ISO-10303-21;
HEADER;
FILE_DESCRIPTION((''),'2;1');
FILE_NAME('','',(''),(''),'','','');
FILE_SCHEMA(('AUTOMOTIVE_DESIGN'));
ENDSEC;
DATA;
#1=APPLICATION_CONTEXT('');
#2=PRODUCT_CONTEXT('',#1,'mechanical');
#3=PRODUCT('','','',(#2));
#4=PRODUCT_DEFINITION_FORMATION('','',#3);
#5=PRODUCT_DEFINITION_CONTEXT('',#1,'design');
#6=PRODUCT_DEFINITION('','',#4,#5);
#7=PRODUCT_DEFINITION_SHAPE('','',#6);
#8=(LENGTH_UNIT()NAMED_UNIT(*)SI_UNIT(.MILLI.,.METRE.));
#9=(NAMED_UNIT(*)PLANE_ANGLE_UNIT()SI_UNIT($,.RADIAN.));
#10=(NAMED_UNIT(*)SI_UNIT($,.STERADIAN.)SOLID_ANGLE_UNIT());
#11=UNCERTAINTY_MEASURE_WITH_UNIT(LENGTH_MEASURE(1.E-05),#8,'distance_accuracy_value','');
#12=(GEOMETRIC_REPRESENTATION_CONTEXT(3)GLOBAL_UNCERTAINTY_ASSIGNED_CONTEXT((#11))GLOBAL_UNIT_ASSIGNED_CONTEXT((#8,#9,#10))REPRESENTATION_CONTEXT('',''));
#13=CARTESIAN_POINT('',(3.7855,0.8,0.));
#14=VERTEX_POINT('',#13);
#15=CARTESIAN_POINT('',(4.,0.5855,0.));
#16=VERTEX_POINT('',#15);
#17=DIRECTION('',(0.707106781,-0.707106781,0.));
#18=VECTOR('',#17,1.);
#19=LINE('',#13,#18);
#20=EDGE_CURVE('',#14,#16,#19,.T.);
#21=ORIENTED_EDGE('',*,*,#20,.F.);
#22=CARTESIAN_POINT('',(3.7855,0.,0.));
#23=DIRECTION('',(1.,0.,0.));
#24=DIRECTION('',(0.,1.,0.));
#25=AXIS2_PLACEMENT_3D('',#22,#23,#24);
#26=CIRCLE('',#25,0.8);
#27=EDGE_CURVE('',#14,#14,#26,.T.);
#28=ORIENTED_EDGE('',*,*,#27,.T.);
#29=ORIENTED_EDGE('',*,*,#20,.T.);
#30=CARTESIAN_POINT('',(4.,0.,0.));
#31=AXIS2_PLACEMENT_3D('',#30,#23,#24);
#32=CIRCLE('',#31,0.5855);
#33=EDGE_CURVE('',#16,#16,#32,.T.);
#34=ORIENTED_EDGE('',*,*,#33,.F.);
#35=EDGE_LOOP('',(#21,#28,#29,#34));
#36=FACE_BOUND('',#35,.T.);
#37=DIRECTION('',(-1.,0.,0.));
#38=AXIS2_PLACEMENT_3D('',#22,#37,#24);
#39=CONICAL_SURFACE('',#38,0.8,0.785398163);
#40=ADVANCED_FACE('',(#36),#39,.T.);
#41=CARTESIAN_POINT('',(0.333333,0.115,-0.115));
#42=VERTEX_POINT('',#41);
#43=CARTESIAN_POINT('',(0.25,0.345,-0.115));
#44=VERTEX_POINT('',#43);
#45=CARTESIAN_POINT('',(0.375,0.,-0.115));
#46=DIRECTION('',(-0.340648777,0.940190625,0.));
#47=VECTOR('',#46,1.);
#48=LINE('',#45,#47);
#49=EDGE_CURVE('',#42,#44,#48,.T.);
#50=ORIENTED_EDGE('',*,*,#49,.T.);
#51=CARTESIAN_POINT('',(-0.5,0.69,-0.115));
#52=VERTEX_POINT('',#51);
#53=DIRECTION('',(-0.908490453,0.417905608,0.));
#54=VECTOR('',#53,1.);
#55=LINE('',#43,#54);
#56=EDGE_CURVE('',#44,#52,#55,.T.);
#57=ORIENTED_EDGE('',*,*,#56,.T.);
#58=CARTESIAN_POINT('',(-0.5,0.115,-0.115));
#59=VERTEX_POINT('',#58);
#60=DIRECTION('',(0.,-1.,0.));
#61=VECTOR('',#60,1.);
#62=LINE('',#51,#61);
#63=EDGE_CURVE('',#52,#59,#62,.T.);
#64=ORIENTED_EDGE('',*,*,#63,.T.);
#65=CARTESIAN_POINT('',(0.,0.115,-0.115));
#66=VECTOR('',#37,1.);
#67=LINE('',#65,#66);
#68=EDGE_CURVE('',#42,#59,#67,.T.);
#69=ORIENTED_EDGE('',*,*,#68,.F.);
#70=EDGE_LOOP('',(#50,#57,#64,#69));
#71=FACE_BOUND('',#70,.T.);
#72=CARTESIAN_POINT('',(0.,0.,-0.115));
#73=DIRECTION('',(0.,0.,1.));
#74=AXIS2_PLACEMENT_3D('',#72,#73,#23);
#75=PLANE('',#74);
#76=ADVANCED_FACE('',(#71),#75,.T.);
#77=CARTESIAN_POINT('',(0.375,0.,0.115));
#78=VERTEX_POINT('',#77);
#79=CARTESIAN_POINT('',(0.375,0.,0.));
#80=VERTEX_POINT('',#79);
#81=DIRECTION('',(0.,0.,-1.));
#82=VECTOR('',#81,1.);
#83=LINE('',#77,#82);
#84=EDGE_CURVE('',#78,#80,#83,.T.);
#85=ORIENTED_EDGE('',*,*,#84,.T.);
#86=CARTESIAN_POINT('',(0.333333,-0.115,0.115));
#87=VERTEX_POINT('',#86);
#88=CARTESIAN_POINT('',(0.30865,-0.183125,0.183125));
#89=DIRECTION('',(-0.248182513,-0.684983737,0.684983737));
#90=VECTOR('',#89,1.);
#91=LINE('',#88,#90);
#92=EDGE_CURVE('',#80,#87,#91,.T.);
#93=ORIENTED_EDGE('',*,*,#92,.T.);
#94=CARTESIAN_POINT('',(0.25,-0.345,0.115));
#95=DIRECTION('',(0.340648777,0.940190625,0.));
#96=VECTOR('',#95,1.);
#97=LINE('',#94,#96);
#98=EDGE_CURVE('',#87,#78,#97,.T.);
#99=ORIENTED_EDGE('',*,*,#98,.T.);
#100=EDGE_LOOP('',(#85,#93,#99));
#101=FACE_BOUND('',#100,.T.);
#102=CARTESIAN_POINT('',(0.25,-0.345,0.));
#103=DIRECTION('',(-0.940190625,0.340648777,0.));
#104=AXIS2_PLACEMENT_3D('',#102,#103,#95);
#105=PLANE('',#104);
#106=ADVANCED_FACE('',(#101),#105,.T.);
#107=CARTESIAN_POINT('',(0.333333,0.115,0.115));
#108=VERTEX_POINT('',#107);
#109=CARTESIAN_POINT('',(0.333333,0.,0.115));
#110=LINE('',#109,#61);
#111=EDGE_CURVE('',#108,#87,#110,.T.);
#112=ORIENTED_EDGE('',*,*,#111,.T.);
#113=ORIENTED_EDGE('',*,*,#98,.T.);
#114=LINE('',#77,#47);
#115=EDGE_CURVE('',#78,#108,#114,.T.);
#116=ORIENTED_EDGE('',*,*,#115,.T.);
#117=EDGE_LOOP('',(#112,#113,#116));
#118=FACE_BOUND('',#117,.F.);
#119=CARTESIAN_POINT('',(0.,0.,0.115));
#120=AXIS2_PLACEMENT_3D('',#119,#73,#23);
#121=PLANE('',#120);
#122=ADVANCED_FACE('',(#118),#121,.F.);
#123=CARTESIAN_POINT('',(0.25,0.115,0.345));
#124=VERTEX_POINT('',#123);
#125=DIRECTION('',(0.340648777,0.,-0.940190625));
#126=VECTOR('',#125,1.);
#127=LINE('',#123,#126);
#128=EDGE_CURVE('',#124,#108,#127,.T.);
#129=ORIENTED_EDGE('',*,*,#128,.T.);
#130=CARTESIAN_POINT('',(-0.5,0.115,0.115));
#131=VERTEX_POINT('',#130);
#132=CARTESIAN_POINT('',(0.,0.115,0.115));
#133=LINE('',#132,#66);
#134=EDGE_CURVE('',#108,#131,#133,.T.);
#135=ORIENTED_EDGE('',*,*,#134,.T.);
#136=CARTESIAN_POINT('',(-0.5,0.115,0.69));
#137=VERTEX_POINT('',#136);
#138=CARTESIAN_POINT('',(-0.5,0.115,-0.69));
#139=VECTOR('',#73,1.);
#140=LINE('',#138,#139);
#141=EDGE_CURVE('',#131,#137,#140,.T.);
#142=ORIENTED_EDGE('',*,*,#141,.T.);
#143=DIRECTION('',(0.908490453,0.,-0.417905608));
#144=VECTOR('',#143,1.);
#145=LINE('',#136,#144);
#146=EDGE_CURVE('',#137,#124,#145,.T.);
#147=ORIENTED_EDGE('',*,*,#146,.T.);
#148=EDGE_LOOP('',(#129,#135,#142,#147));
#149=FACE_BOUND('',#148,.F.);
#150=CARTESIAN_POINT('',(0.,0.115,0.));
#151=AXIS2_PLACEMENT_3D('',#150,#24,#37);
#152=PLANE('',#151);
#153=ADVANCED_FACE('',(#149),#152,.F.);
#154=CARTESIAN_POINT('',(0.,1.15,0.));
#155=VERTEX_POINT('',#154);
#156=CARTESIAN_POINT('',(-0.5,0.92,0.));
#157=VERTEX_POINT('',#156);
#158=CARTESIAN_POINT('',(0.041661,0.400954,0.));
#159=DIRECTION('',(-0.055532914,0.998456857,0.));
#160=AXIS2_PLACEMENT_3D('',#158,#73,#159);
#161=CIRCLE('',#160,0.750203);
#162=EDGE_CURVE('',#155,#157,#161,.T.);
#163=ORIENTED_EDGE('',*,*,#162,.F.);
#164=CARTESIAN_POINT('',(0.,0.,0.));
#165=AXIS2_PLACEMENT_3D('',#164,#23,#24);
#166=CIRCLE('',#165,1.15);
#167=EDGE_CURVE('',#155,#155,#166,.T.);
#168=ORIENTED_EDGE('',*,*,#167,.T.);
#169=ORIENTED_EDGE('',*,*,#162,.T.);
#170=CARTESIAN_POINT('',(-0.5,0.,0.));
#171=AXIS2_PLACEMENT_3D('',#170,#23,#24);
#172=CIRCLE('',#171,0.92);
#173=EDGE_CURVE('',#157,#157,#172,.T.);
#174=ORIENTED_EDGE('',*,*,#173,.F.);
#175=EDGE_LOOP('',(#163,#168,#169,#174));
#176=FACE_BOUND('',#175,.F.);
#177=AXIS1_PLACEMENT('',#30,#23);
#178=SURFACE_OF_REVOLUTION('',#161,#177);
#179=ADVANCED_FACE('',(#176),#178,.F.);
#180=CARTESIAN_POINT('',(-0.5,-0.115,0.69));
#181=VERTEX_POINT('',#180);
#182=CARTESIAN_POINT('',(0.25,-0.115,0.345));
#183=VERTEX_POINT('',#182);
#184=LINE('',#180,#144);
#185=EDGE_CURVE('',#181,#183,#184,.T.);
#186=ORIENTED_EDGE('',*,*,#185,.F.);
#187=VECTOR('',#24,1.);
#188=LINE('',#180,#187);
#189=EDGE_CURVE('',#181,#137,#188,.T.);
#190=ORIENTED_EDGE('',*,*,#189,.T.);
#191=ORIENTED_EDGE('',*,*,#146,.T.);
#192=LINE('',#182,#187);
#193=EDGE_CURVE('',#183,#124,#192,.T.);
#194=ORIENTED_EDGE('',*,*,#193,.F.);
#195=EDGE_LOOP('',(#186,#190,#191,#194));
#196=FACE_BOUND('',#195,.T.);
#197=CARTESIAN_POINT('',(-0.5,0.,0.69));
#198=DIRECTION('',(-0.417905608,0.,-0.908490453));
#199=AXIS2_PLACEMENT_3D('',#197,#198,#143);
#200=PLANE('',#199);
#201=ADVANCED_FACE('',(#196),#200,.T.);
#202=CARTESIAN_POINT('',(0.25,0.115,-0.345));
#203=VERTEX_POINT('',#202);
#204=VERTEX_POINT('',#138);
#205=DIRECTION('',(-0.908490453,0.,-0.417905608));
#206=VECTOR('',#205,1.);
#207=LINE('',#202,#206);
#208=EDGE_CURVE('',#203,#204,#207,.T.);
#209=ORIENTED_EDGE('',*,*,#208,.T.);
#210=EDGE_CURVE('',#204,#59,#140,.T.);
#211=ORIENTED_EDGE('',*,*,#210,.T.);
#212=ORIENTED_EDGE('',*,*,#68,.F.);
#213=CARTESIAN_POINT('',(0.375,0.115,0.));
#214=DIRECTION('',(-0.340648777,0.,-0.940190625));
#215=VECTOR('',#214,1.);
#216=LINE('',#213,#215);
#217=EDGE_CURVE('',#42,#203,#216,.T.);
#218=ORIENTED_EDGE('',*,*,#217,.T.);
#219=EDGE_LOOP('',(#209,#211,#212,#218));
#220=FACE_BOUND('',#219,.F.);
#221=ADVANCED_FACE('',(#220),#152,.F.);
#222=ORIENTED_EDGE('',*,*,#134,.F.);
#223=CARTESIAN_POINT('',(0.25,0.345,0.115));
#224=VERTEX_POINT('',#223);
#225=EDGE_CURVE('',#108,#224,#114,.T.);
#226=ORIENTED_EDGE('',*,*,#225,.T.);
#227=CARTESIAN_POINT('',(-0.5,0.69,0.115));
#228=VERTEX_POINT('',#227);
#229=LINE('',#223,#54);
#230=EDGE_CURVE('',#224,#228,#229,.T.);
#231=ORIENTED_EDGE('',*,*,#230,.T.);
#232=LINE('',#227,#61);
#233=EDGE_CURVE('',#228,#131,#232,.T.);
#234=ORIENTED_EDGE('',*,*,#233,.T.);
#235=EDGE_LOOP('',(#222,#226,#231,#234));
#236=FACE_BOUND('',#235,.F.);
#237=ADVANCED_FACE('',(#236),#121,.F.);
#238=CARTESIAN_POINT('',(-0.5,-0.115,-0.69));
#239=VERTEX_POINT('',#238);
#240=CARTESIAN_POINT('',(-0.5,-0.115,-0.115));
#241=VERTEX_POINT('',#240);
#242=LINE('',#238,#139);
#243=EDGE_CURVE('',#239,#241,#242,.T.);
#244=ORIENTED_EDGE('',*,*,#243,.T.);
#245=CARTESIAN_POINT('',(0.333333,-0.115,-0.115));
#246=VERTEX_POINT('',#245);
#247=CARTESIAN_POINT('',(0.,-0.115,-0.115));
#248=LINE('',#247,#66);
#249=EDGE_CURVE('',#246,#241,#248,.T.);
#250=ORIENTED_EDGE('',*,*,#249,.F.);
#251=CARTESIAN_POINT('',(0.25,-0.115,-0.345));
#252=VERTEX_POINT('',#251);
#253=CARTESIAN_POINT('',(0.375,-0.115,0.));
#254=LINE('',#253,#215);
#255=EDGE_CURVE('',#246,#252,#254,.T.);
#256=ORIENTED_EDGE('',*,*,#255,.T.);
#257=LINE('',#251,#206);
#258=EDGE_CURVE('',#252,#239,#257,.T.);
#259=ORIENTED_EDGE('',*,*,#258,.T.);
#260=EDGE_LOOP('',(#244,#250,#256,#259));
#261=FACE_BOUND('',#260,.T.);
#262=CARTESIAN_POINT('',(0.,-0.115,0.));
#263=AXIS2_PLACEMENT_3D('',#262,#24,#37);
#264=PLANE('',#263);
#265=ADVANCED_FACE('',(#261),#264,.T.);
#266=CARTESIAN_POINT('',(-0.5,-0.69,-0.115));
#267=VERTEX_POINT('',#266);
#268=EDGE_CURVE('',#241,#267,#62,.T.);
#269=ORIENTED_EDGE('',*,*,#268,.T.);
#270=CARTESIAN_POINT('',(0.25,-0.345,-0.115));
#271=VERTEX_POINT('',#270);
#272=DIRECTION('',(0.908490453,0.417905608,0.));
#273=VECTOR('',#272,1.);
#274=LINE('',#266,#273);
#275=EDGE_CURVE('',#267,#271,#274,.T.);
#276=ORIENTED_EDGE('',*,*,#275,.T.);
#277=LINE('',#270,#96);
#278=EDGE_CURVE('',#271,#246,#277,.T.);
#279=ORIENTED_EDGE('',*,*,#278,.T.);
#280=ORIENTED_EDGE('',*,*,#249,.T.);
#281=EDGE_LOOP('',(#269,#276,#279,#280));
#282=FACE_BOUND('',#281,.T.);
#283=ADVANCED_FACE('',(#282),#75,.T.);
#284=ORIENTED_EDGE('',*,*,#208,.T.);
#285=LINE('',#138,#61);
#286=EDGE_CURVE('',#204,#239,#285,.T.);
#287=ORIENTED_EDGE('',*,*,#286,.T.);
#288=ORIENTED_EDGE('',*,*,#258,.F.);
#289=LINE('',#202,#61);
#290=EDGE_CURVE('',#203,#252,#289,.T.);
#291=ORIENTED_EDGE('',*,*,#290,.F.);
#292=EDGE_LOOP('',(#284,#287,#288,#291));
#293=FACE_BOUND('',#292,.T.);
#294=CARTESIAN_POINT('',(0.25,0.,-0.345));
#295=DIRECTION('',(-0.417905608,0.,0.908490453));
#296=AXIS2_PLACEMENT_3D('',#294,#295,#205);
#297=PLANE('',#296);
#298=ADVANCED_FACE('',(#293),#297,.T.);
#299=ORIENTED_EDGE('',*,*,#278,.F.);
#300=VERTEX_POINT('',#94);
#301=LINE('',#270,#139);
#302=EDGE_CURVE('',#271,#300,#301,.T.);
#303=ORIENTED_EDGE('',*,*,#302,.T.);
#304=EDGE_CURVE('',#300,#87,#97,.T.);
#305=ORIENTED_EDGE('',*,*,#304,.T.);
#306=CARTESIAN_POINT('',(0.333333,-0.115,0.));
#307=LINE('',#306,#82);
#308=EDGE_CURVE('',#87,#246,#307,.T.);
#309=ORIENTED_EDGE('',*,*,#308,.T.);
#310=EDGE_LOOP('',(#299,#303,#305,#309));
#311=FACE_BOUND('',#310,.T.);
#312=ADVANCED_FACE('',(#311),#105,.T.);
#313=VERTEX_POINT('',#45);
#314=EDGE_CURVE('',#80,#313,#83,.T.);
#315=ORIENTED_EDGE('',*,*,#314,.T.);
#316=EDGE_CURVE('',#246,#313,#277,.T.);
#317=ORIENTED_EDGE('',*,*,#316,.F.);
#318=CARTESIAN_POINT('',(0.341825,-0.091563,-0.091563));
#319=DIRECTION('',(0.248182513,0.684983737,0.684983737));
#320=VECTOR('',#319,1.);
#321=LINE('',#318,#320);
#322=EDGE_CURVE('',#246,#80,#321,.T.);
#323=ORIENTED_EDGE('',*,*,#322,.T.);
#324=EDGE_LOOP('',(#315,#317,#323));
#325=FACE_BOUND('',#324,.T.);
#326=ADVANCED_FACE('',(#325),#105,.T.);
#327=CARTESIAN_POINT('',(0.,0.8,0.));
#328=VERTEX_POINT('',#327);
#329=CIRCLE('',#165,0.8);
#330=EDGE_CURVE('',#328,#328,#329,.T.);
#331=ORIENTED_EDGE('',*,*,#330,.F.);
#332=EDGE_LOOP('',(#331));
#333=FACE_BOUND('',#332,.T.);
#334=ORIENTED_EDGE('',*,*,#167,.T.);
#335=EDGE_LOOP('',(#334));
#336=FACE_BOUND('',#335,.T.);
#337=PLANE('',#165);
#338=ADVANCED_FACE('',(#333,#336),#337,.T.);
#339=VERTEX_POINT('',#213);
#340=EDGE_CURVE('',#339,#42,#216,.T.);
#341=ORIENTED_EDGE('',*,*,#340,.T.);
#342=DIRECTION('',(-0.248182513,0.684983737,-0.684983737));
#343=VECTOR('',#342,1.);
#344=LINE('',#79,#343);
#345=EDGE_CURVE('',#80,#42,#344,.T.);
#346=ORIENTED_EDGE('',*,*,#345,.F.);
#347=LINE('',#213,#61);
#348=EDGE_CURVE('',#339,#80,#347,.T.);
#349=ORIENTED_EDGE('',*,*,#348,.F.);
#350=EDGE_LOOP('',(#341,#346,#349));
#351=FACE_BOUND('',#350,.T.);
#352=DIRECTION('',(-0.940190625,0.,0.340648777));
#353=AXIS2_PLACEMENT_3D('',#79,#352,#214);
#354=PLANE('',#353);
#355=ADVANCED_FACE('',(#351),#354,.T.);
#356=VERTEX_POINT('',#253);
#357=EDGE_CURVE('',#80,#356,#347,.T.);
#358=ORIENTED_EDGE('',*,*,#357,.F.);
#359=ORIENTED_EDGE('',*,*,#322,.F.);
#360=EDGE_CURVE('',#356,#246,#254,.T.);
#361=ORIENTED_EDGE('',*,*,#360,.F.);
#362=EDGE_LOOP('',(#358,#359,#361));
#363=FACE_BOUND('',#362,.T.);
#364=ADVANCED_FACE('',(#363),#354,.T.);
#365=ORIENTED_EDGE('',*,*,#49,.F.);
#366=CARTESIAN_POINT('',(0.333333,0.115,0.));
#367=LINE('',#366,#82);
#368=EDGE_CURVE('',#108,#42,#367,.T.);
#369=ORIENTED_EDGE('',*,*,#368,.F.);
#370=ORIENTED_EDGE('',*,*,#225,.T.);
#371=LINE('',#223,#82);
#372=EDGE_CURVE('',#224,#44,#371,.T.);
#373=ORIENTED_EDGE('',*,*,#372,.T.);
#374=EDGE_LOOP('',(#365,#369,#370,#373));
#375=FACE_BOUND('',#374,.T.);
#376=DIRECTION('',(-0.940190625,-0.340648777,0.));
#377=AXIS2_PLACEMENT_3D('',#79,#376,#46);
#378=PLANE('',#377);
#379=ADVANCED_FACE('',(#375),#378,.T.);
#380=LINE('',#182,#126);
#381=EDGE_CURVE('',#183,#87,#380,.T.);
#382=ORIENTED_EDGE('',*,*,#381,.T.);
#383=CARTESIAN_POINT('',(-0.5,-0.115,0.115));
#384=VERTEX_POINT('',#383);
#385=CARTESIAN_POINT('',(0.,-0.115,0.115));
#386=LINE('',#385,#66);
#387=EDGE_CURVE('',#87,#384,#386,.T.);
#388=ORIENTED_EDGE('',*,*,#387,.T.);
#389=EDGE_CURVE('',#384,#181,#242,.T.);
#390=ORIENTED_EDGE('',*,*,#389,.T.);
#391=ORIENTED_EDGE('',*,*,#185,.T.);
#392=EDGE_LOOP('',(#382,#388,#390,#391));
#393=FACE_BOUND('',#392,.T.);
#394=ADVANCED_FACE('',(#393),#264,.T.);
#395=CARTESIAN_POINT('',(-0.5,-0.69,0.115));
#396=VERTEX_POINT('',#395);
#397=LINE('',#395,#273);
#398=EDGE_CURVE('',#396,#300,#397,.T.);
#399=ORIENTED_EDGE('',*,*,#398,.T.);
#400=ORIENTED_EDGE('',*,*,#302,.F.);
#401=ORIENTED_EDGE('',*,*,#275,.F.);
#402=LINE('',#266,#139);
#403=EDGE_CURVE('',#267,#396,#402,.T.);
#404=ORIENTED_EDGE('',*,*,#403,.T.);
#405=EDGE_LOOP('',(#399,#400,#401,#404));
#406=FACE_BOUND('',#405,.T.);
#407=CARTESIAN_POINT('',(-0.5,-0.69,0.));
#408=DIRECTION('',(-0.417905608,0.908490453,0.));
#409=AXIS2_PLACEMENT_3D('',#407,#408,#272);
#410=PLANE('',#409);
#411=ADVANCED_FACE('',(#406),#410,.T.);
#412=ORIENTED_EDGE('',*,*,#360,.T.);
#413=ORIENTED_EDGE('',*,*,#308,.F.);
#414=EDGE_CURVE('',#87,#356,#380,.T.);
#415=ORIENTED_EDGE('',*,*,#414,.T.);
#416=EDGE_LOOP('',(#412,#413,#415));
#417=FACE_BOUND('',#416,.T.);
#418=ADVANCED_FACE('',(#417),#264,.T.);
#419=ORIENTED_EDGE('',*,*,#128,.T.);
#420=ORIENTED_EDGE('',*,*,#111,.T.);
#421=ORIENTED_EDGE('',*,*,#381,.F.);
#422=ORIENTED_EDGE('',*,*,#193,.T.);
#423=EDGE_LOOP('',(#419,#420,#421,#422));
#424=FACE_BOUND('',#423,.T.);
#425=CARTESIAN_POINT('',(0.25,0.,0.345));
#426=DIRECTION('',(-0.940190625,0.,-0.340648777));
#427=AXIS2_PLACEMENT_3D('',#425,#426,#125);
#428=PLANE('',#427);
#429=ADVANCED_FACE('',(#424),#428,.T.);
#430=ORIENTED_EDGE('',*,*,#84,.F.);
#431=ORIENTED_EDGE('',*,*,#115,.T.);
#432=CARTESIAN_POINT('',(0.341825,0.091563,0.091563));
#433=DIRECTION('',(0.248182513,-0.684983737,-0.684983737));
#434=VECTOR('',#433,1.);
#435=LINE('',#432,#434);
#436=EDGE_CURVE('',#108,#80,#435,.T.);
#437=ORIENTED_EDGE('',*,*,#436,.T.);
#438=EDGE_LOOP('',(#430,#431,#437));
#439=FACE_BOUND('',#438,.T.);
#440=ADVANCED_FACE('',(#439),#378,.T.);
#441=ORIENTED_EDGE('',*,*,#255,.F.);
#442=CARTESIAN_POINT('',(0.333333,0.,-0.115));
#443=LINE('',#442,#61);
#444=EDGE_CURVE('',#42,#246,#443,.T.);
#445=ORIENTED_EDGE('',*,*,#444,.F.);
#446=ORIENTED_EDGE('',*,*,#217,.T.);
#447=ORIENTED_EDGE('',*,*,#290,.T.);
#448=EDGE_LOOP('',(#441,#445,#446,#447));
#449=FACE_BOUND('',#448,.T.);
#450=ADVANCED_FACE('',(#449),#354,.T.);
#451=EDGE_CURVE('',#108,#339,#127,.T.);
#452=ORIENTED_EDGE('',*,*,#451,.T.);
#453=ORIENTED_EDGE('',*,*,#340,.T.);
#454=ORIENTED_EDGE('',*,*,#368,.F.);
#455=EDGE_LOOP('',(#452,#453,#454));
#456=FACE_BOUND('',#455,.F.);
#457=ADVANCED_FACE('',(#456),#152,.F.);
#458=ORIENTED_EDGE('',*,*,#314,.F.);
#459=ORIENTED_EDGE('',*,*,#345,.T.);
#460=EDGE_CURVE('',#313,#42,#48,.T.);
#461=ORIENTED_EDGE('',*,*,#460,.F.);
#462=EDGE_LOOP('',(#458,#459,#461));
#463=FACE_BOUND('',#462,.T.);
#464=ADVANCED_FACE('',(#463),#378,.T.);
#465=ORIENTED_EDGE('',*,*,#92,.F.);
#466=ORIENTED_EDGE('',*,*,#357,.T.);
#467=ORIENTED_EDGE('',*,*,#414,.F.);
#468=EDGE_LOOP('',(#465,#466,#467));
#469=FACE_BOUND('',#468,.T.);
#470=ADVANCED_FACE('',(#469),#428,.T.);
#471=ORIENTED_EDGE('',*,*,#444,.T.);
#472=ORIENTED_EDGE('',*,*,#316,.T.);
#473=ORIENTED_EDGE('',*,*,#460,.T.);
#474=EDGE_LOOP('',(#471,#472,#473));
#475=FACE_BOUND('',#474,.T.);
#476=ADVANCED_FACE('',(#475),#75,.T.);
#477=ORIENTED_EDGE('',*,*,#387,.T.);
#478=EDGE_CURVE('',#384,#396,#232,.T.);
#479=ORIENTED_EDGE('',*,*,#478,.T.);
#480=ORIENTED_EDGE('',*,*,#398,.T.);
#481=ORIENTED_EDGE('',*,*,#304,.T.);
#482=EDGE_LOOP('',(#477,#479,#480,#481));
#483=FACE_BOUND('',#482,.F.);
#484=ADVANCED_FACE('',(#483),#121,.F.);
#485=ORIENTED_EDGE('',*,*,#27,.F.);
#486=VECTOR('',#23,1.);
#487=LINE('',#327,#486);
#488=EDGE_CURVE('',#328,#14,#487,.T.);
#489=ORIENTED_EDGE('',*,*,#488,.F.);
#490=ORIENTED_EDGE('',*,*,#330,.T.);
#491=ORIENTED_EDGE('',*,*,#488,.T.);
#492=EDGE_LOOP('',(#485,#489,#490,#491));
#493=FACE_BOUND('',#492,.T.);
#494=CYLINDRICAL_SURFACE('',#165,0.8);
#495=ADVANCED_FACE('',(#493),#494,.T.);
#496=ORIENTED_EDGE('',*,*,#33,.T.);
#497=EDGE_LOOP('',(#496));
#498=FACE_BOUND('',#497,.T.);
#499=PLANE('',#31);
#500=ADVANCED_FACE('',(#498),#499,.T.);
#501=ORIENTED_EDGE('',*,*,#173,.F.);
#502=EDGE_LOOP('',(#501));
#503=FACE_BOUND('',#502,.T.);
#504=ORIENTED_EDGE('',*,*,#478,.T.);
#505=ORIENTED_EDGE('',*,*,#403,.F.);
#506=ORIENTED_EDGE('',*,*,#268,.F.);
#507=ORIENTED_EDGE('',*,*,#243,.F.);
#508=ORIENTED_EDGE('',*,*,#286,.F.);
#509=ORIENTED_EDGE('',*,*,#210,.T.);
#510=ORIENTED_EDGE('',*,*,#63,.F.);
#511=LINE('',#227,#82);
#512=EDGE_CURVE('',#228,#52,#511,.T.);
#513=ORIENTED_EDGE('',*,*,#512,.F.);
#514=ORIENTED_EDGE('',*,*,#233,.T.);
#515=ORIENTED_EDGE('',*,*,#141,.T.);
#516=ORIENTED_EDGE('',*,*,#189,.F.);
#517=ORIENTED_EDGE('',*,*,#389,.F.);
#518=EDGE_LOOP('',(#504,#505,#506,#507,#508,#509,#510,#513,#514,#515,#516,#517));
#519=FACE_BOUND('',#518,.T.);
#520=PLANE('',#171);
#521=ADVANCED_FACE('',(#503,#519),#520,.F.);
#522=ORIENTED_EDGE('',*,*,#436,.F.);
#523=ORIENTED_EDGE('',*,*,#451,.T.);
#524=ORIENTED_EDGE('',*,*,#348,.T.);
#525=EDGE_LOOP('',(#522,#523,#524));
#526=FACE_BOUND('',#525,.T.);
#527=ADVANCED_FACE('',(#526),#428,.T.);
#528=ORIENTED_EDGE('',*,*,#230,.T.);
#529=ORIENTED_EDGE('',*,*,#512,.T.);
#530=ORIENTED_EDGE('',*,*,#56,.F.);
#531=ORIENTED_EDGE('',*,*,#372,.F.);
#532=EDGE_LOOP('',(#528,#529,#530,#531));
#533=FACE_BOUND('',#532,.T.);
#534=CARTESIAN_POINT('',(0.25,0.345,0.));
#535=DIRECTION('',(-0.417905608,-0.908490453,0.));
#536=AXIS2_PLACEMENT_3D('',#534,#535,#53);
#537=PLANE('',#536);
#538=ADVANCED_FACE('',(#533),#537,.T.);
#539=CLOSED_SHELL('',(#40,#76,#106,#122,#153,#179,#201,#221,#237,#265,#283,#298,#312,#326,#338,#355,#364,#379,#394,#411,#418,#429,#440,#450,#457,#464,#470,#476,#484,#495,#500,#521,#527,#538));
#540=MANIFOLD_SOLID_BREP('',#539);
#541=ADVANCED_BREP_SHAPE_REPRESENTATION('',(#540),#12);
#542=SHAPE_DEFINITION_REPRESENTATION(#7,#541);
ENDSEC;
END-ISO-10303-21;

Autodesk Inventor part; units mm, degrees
ref_plane "YZ Plane" through (0, 0, 0) normal (1, 0, 0) x (0, 1, 0)
ref_plane "XZ Plane" through (0, 0, 0) normal (0, 1, 0) x (-1, 0, 0)
ref_plane "XY Plane" through (0, 0, 0) normal (0, 0, 1) x (1, 0, 0)
sketch "Sketch_1" plane through (0, 0, 0) normal (0, 0, 1) x (1, 0, 0)
  line L0 (4, 0) -> (-0.5, 0)
  line L1 (-0.5, 0) -> (-0.5, 0.92)
  arc A0 (0, 1.15) -> (-0.5, 0.92) centre (0.0416, 0.4012) ccw
  line L2 (0, 1.15) -> (0, 0.8)
  line L3 (0, 0.8) -> (3.7855, 0.8)
  line L4 (3.7855, 0.8) -> (4, 0.5855)
  line L5 (4, 0.5855) -> (4, 0)
  line L6 (4, 0) -> (-0.5, 0)
revolve "Revolution1" add sketch "Sketch_1" angle 360 about axis through (4, 0, 0) along (1, 0, 0)
thread "Thread1" size "M1.6x0.35" class "6g" standard "ISO Metric profile" length 3.4131
sketch "Sketch_2" plane through (0, 0, 0) normal (0, 0, 1) x (1, 0, 0)
  line L0 (-0.5, -0.69) -> (0.25, -0.345)
  line L1 (0.25, -0.345) -> (0.375, 0)
  line L2 (0.375, 0) -> (0.25, 0.345)
  line L3 (0.25, 0.345) -> (-0.5, 0.69)
  line L4 (-0.5, 0.69) -> (-0.5, -0.69)
extrude "Extrusion1" cut sketch "Sketch_2" along normal mid plane 0.23
sketch "Sketch_3" plane through (0, 0, 0) normal (0, 1, 0) x (-1, 0, 0)
  line L0 (0.5, 0.69) -> (-0.25, 0.345)
  line L1 (-0.25, 0.345) -> (-0.375, 0)
  line L2 (-0.375, 0) -> (-0.25, -0.345)
  line L3 (-0.25, -0.345) -> (0.5, -0.69)
  line L4 (0.5, -0.69) -> (0.5, 0.69)
extrude "Extrusion2" cut sketch "Sketch_3" along normal mid plane 0.23
properties part number "SNZS-M1.6-4"
